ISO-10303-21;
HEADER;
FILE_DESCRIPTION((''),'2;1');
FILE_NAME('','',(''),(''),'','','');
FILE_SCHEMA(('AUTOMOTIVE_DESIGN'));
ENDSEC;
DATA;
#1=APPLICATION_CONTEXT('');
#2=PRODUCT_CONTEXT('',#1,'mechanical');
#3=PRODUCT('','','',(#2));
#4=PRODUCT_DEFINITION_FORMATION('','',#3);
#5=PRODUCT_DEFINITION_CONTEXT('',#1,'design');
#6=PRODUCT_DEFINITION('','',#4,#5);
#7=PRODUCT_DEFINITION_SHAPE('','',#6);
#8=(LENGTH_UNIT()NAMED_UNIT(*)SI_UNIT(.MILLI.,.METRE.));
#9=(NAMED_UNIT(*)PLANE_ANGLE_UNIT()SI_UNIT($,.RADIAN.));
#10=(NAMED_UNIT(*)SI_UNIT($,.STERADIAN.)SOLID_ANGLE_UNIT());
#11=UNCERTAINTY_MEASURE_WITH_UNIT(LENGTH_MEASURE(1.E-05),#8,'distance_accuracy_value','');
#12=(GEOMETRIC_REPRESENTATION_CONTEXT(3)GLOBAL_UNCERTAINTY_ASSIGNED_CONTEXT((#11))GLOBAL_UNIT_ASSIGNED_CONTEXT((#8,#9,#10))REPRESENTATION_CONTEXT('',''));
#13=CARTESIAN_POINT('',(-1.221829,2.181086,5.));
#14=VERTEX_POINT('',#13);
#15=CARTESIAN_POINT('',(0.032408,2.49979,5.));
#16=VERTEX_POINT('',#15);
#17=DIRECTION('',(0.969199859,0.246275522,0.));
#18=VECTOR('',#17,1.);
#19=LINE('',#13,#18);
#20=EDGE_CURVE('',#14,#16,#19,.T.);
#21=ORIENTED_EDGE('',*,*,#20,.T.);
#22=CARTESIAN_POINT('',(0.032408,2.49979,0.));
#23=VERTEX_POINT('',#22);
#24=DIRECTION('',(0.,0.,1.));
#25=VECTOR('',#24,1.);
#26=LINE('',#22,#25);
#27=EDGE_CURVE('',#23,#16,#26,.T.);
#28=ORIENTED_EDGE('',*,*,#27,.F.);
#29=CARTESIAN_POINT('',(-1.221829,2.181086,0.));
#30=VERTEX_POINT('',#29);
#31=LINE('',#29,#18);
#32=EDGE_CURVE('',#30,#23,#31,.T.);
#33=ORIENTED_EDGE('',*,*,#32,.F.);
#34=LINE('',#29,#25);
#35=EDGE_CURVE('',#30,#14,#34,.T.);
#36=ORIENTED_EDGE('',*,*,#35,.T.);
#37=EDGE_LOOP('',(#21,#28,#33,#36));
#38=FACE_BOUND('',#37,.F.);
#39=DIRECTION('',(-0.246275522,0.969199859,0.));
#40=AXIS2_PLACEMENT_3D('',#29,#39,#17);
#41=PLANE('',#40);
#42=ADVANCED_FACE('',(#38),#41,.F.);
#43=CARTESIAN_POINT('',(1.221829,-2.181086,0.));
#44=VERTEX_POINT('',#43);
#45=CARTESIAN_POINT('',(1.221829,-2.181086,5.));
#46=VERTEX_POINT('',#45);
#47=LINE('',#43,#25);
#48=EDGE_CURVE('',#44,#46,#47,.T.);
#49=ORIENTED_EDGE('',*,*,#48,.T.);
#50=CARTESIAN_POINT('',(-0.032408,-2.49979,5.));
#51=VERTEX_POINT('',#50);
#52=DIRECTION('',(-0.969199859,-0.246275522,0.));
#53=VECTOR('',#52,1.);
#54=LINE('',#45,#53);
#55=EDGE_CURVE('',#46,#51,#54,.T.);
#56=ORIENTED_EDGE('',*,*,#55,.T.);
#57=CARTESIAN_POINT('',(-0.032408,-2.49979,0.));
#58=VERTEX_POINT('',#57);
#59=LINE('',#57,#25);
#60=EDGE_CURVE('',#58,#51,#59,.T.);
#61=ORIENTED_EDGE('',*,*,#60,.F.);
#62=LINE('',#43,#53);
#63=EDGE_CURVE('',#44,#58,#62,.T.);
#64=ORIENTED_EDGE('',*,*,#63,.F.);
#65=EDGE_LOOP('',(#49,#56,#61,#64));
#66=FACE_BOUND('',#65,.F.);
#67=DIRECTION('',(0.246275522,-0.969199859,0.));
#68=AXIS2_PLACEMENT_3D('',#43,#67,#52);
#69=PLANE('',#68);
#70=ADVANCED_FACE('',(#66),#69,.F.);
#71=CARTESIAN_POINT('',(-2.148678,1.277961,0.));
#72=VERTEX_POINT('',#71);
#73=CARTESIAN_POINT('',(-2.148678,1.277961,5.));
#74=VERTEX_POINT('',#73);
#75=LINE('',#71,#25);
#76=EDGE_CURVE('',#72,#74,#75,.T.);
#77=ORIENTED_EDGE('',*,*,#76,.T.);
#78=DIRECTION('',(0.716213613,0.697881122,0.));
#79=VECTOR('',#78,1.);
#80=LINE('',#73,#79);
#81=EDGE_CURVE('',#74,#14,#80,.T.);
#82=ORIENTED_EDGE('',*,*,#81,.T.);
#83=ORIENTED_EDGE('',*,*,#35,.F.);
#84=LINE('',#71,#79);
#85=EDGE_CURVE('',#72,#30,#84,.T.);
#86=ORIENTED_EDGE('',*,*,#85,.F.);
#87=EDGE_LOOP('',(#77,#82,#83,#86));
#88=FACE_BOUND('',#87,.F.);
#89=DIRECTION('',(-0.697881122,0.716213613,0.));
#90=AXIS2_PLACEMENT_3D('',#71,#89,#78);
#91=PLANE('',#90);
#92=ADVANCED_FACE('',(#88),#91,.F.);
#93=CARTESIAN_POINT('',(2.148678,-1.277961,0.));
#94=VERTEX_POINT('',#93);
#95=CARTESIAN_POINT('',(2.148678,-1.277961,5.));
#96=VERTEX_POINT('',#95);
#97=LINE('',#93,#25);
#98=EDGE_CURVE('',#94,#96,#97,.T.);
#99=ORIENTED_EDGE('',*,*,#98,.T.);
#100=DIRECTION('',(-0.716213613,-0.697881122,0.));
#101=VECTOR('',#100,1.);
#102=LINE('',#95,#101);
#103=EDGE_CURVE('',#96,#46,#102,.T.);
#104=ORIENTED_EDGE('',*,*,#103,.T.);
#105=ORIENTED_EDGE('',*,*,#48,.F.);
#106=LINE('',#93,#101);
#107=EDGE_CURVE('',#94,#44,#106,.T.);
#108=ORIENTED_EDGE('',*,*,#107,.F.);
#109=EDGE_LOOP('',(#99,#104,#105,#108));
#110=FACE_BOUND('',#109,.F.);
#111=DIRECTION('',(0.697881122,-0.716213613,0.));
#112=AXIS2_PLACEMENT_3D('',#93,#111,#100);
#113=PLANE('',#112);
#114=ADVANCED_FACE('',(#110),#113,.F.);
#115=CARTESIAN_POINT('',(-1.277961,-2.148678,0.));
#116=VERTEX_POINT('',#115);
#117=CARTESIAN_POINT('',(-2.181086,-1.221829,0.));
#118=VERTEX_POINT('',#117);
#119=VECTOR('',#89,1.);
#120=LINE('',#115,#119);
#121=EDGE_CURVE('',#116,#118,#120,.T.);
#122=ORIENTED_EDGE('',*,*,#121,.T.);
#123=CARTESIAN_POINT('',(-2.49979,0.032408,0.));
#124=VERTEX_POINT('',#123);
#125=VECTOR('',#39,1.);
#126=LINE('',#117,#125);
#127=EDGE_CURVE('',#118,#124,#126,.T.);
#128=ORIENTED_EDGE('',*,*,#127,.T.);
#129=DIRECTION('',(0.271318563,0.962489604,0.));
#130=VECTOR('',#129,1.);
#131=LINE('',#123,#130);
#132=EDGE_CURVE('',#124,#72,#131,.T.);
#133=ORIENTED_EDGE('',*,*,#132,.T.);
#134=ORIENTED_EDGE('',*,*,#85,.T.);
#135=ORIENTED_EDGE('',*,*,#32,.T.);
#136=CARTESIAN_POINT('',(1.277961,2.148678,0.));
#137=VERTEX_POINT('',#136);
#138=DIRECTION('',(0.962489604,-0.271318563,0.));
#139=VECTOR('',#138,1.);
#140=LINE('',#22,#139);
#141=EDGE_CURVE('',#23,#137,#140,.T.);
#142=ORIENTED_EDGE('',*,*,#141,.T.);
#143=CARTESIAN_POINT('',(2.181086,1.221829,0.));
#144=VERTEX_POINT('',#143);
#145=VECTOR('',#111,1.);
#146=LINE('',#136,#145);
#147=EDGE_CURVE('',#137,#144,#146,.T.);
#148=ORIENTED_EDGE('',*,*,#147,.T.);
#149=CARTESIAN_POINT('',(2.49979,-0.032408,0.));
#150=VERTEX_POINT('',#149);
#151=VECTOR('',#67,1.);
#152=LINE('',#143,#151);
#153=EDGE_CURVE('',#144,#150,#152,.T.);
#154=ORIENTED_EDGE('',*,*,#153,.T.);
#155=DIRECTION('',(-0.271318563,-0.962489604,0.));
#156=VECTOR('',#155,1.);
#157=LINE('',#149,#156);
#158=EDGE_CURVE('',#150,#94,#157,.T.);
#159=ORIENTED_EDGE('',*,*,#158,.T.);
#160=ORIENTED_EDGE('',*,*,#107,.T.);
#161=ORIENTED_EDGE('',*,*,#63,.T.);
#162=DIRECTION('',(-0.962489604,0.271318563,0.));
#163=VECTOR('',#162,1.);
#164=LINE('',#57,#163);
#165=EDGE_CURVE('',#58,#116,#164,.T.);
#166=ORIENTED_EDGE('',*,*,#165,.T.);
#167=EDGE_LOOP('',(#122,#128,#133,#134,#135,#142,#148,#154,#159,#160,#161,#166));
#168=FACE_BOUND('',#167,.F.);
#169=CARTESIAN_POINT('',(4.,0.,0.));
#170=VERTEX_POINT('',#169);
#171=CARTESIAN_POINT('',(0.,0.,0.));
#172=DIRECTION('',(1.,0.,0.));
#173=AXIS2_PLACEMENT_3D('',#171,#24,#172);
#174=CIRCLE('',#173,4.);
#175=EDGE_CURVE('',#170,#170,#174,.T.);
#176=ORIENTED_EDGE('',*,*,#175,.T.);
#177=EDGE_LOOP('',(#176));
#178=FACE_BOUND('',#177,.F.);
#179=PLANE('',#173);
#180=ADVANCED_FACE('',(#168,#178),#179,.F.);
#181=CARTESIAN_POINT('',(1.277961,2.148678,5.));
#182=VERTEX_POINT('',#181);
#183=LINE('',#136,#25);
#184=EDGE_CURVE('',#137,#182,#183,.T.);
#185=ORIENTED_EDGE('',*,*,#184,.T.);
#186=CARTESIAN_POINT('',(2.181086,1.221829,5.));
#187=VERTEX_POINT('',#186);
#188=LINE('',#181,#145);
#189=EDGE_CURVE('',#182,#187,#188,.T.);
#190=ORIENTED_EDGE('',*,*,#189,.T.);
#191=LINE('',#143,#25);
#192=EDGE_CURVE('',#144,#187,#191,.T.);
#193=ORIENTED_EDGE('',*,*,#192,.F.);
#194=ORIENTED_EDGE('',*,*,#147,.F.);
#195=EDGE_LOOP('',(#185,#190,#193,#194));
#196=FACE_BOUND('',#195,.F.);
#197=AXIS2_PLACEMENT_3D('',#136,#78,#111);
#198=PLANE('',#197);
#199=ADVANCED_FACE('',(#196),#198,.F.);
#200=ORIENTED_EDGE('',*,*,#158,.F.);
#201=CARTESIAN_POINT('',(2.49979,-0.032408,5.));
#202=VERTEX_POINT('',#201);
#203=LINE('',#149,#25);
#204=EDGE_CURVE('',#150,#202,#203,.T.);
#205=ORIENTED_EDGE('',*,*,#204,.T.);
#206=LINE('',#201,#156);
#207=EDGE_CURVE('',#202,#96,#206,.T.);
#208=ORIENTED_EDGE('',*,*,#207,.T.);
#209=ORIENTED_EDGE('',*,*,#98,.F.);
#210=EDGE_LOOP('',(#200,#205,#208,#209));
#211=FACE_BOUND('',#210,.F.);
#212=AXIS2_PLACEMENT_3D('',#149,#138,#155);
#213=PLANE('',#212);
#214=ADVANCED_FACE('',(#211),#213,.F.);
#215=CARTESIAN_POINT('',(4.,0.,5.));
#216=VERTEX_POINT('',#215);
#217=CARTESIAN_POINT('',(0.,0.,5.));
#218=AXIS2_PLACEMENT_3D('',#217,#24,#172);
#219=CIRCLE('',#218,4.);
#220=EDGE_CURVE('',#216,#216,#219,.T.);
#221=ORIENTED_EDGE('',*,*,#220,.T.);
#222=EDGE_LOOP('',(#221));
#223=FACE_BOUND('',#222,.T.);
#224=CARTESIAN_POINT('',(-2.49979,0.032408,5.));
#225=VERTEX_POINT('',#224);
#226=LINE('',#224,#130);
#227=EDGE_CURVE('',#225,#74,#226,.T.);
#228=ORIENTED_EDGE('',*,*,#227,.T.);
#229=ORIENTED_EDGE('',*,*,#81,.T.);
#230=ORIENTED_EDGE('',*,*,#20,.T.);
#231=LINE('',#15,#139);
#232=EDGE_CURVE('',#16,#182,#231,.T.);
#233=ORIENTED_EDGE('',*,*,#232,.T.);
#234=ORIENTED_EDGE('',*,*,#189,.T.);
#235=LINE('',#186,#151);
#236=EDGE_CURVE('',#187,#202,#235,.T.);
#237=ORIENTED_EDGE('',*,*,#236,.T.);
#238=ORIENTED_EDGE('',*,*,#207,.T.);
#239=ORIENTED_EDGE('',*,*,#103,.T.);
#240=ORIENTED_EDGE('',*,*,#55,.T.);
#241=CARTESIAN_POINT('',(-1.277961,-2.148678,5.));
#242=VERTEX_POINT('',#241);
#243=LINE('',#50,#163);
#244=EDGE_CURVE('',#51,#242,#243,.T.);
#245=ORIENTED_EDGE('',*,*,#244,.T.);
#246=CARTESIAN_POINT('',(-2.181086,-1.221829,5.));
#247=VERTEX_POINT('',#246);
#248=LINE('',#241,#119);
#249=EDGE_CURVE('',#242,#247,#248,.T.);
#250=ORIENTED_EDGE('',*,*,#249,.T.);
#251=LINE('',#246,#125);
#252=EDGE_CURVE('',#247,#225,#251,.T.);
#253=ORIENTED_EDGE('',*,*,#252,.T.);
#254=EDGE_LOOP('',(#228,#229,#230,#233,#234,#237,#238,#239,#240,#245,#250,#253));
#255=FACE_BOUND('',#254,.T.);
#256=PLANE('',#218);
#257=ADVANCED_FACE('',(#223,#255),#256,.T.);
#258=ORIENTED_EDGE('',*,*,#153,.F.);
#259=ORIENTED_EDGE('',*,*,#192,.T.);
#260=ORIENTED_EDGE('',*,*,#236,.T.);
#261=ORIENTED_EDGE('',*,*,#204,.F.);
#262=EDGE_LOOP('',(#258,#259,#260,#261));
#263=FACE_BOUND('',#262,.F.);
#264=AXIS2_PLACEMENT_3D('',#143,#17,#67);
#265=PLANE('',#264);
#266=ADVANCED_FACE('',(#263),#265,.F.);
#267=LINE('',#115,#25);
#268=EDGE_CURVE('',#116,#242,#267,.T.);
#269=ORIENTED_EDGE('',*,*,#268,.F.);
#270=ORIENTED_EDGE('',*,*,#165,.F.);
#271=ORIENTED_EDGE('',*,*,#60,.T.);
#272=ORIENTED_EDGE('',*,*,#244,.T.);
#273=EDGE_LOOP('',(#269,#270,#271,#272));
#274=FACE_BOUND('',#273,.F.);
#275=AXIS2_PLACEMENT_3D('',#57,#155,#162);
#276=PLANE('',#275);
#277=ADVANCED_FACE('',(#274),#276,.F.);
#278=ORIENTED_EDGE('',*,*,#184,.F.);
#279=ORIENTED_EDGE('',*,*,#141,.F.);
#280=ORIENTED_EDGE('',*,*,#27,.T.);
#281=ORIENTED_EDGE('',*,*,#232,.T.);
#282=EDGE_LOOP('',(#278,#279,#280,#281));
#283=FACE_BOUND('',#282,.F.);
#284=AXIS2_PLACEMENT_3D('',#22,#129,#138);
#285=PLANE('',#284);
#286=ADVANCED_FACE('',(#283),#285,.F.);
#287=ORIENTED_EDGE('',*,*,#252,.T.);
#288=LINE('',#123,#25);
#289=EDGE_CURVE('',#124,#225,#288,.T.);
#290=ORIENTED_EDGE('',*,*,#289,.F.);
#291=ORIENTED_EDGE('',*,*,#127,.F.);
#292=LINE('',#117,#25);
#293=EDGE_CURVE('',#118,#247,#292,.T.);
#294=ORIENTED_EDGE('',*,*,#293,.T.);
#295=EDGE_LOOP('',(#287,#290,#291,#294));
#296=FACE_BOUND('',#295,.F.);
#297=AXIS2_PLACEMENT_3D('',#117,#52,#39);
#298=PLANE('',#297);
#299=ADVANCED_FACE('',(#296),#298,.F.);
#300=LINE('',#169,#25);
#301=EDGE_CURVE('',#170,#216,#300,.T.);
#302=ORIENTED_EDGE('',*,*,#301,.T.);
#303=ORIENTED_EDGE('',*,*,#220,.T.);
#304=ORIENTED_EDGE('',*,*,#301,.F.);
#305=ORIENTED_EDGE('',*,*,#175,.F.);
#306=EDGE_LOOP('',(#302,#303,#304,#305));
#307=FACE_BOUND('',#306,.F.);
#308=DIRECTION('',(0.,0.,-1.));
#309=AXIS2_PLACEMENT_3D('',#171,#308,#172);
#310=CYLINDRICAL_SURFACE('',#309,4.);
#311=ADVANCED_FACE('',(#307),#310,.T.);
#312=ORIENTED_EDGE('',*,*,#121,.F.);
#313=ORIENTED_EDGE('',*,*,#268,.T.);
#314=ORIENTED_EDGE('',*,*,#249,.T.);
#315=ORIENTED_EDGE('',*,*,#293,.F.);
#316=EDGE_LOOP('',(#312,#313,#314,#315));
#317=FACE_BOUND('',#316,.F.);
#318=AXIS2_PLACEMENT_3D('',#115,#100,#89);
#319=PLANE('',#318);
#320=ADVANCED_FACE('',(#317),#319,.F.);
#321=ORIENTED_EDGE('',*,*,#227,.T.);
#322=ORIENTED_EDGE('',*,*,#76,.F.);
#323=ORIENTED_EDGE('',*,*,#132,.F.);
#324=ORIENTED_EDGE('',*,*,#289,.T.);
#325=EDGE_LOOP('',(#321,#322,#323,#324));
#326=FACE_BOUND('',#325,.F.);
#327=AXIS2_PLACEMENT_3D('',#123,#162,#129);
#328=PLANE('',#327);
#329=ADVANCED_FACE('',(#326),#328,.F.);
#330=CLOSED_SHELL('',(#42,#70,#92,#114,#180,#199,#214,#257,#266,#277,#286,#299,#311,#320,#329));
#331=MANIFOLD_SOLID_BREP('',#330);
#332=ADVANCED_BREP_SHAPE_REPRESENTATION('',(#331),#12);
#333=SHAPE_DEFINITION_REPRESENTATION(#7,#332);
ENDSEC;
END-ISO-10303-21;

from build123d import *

# Parameters (mm, degrees)
F0_R     = 4
F1_DEPTH = 5


with BuildPart() as f1:
    # F0 (on Top) → F1 (new body)
    with BuildSketch(Plane.XY):
        Circle(F0_R)
        Polygon((-0.032408, -2.49979), (-1.277961, -2.148678), (-2.181086, -1.221829), (-2.49979, 0.032408), (-2.148678, 1.277961), (-1.221829, 2.181086), (0.032408, 2.49979), (1.277961, 2.148678), (2.181086, 1.221829), (2.49979, -0.032408), (2.148678, -1.277961), (1.221829, -2.181086), align=None, mode=Mode.SUBTRACT)
    extrude(amount=F1_DEPTH)


solid = f1.part
